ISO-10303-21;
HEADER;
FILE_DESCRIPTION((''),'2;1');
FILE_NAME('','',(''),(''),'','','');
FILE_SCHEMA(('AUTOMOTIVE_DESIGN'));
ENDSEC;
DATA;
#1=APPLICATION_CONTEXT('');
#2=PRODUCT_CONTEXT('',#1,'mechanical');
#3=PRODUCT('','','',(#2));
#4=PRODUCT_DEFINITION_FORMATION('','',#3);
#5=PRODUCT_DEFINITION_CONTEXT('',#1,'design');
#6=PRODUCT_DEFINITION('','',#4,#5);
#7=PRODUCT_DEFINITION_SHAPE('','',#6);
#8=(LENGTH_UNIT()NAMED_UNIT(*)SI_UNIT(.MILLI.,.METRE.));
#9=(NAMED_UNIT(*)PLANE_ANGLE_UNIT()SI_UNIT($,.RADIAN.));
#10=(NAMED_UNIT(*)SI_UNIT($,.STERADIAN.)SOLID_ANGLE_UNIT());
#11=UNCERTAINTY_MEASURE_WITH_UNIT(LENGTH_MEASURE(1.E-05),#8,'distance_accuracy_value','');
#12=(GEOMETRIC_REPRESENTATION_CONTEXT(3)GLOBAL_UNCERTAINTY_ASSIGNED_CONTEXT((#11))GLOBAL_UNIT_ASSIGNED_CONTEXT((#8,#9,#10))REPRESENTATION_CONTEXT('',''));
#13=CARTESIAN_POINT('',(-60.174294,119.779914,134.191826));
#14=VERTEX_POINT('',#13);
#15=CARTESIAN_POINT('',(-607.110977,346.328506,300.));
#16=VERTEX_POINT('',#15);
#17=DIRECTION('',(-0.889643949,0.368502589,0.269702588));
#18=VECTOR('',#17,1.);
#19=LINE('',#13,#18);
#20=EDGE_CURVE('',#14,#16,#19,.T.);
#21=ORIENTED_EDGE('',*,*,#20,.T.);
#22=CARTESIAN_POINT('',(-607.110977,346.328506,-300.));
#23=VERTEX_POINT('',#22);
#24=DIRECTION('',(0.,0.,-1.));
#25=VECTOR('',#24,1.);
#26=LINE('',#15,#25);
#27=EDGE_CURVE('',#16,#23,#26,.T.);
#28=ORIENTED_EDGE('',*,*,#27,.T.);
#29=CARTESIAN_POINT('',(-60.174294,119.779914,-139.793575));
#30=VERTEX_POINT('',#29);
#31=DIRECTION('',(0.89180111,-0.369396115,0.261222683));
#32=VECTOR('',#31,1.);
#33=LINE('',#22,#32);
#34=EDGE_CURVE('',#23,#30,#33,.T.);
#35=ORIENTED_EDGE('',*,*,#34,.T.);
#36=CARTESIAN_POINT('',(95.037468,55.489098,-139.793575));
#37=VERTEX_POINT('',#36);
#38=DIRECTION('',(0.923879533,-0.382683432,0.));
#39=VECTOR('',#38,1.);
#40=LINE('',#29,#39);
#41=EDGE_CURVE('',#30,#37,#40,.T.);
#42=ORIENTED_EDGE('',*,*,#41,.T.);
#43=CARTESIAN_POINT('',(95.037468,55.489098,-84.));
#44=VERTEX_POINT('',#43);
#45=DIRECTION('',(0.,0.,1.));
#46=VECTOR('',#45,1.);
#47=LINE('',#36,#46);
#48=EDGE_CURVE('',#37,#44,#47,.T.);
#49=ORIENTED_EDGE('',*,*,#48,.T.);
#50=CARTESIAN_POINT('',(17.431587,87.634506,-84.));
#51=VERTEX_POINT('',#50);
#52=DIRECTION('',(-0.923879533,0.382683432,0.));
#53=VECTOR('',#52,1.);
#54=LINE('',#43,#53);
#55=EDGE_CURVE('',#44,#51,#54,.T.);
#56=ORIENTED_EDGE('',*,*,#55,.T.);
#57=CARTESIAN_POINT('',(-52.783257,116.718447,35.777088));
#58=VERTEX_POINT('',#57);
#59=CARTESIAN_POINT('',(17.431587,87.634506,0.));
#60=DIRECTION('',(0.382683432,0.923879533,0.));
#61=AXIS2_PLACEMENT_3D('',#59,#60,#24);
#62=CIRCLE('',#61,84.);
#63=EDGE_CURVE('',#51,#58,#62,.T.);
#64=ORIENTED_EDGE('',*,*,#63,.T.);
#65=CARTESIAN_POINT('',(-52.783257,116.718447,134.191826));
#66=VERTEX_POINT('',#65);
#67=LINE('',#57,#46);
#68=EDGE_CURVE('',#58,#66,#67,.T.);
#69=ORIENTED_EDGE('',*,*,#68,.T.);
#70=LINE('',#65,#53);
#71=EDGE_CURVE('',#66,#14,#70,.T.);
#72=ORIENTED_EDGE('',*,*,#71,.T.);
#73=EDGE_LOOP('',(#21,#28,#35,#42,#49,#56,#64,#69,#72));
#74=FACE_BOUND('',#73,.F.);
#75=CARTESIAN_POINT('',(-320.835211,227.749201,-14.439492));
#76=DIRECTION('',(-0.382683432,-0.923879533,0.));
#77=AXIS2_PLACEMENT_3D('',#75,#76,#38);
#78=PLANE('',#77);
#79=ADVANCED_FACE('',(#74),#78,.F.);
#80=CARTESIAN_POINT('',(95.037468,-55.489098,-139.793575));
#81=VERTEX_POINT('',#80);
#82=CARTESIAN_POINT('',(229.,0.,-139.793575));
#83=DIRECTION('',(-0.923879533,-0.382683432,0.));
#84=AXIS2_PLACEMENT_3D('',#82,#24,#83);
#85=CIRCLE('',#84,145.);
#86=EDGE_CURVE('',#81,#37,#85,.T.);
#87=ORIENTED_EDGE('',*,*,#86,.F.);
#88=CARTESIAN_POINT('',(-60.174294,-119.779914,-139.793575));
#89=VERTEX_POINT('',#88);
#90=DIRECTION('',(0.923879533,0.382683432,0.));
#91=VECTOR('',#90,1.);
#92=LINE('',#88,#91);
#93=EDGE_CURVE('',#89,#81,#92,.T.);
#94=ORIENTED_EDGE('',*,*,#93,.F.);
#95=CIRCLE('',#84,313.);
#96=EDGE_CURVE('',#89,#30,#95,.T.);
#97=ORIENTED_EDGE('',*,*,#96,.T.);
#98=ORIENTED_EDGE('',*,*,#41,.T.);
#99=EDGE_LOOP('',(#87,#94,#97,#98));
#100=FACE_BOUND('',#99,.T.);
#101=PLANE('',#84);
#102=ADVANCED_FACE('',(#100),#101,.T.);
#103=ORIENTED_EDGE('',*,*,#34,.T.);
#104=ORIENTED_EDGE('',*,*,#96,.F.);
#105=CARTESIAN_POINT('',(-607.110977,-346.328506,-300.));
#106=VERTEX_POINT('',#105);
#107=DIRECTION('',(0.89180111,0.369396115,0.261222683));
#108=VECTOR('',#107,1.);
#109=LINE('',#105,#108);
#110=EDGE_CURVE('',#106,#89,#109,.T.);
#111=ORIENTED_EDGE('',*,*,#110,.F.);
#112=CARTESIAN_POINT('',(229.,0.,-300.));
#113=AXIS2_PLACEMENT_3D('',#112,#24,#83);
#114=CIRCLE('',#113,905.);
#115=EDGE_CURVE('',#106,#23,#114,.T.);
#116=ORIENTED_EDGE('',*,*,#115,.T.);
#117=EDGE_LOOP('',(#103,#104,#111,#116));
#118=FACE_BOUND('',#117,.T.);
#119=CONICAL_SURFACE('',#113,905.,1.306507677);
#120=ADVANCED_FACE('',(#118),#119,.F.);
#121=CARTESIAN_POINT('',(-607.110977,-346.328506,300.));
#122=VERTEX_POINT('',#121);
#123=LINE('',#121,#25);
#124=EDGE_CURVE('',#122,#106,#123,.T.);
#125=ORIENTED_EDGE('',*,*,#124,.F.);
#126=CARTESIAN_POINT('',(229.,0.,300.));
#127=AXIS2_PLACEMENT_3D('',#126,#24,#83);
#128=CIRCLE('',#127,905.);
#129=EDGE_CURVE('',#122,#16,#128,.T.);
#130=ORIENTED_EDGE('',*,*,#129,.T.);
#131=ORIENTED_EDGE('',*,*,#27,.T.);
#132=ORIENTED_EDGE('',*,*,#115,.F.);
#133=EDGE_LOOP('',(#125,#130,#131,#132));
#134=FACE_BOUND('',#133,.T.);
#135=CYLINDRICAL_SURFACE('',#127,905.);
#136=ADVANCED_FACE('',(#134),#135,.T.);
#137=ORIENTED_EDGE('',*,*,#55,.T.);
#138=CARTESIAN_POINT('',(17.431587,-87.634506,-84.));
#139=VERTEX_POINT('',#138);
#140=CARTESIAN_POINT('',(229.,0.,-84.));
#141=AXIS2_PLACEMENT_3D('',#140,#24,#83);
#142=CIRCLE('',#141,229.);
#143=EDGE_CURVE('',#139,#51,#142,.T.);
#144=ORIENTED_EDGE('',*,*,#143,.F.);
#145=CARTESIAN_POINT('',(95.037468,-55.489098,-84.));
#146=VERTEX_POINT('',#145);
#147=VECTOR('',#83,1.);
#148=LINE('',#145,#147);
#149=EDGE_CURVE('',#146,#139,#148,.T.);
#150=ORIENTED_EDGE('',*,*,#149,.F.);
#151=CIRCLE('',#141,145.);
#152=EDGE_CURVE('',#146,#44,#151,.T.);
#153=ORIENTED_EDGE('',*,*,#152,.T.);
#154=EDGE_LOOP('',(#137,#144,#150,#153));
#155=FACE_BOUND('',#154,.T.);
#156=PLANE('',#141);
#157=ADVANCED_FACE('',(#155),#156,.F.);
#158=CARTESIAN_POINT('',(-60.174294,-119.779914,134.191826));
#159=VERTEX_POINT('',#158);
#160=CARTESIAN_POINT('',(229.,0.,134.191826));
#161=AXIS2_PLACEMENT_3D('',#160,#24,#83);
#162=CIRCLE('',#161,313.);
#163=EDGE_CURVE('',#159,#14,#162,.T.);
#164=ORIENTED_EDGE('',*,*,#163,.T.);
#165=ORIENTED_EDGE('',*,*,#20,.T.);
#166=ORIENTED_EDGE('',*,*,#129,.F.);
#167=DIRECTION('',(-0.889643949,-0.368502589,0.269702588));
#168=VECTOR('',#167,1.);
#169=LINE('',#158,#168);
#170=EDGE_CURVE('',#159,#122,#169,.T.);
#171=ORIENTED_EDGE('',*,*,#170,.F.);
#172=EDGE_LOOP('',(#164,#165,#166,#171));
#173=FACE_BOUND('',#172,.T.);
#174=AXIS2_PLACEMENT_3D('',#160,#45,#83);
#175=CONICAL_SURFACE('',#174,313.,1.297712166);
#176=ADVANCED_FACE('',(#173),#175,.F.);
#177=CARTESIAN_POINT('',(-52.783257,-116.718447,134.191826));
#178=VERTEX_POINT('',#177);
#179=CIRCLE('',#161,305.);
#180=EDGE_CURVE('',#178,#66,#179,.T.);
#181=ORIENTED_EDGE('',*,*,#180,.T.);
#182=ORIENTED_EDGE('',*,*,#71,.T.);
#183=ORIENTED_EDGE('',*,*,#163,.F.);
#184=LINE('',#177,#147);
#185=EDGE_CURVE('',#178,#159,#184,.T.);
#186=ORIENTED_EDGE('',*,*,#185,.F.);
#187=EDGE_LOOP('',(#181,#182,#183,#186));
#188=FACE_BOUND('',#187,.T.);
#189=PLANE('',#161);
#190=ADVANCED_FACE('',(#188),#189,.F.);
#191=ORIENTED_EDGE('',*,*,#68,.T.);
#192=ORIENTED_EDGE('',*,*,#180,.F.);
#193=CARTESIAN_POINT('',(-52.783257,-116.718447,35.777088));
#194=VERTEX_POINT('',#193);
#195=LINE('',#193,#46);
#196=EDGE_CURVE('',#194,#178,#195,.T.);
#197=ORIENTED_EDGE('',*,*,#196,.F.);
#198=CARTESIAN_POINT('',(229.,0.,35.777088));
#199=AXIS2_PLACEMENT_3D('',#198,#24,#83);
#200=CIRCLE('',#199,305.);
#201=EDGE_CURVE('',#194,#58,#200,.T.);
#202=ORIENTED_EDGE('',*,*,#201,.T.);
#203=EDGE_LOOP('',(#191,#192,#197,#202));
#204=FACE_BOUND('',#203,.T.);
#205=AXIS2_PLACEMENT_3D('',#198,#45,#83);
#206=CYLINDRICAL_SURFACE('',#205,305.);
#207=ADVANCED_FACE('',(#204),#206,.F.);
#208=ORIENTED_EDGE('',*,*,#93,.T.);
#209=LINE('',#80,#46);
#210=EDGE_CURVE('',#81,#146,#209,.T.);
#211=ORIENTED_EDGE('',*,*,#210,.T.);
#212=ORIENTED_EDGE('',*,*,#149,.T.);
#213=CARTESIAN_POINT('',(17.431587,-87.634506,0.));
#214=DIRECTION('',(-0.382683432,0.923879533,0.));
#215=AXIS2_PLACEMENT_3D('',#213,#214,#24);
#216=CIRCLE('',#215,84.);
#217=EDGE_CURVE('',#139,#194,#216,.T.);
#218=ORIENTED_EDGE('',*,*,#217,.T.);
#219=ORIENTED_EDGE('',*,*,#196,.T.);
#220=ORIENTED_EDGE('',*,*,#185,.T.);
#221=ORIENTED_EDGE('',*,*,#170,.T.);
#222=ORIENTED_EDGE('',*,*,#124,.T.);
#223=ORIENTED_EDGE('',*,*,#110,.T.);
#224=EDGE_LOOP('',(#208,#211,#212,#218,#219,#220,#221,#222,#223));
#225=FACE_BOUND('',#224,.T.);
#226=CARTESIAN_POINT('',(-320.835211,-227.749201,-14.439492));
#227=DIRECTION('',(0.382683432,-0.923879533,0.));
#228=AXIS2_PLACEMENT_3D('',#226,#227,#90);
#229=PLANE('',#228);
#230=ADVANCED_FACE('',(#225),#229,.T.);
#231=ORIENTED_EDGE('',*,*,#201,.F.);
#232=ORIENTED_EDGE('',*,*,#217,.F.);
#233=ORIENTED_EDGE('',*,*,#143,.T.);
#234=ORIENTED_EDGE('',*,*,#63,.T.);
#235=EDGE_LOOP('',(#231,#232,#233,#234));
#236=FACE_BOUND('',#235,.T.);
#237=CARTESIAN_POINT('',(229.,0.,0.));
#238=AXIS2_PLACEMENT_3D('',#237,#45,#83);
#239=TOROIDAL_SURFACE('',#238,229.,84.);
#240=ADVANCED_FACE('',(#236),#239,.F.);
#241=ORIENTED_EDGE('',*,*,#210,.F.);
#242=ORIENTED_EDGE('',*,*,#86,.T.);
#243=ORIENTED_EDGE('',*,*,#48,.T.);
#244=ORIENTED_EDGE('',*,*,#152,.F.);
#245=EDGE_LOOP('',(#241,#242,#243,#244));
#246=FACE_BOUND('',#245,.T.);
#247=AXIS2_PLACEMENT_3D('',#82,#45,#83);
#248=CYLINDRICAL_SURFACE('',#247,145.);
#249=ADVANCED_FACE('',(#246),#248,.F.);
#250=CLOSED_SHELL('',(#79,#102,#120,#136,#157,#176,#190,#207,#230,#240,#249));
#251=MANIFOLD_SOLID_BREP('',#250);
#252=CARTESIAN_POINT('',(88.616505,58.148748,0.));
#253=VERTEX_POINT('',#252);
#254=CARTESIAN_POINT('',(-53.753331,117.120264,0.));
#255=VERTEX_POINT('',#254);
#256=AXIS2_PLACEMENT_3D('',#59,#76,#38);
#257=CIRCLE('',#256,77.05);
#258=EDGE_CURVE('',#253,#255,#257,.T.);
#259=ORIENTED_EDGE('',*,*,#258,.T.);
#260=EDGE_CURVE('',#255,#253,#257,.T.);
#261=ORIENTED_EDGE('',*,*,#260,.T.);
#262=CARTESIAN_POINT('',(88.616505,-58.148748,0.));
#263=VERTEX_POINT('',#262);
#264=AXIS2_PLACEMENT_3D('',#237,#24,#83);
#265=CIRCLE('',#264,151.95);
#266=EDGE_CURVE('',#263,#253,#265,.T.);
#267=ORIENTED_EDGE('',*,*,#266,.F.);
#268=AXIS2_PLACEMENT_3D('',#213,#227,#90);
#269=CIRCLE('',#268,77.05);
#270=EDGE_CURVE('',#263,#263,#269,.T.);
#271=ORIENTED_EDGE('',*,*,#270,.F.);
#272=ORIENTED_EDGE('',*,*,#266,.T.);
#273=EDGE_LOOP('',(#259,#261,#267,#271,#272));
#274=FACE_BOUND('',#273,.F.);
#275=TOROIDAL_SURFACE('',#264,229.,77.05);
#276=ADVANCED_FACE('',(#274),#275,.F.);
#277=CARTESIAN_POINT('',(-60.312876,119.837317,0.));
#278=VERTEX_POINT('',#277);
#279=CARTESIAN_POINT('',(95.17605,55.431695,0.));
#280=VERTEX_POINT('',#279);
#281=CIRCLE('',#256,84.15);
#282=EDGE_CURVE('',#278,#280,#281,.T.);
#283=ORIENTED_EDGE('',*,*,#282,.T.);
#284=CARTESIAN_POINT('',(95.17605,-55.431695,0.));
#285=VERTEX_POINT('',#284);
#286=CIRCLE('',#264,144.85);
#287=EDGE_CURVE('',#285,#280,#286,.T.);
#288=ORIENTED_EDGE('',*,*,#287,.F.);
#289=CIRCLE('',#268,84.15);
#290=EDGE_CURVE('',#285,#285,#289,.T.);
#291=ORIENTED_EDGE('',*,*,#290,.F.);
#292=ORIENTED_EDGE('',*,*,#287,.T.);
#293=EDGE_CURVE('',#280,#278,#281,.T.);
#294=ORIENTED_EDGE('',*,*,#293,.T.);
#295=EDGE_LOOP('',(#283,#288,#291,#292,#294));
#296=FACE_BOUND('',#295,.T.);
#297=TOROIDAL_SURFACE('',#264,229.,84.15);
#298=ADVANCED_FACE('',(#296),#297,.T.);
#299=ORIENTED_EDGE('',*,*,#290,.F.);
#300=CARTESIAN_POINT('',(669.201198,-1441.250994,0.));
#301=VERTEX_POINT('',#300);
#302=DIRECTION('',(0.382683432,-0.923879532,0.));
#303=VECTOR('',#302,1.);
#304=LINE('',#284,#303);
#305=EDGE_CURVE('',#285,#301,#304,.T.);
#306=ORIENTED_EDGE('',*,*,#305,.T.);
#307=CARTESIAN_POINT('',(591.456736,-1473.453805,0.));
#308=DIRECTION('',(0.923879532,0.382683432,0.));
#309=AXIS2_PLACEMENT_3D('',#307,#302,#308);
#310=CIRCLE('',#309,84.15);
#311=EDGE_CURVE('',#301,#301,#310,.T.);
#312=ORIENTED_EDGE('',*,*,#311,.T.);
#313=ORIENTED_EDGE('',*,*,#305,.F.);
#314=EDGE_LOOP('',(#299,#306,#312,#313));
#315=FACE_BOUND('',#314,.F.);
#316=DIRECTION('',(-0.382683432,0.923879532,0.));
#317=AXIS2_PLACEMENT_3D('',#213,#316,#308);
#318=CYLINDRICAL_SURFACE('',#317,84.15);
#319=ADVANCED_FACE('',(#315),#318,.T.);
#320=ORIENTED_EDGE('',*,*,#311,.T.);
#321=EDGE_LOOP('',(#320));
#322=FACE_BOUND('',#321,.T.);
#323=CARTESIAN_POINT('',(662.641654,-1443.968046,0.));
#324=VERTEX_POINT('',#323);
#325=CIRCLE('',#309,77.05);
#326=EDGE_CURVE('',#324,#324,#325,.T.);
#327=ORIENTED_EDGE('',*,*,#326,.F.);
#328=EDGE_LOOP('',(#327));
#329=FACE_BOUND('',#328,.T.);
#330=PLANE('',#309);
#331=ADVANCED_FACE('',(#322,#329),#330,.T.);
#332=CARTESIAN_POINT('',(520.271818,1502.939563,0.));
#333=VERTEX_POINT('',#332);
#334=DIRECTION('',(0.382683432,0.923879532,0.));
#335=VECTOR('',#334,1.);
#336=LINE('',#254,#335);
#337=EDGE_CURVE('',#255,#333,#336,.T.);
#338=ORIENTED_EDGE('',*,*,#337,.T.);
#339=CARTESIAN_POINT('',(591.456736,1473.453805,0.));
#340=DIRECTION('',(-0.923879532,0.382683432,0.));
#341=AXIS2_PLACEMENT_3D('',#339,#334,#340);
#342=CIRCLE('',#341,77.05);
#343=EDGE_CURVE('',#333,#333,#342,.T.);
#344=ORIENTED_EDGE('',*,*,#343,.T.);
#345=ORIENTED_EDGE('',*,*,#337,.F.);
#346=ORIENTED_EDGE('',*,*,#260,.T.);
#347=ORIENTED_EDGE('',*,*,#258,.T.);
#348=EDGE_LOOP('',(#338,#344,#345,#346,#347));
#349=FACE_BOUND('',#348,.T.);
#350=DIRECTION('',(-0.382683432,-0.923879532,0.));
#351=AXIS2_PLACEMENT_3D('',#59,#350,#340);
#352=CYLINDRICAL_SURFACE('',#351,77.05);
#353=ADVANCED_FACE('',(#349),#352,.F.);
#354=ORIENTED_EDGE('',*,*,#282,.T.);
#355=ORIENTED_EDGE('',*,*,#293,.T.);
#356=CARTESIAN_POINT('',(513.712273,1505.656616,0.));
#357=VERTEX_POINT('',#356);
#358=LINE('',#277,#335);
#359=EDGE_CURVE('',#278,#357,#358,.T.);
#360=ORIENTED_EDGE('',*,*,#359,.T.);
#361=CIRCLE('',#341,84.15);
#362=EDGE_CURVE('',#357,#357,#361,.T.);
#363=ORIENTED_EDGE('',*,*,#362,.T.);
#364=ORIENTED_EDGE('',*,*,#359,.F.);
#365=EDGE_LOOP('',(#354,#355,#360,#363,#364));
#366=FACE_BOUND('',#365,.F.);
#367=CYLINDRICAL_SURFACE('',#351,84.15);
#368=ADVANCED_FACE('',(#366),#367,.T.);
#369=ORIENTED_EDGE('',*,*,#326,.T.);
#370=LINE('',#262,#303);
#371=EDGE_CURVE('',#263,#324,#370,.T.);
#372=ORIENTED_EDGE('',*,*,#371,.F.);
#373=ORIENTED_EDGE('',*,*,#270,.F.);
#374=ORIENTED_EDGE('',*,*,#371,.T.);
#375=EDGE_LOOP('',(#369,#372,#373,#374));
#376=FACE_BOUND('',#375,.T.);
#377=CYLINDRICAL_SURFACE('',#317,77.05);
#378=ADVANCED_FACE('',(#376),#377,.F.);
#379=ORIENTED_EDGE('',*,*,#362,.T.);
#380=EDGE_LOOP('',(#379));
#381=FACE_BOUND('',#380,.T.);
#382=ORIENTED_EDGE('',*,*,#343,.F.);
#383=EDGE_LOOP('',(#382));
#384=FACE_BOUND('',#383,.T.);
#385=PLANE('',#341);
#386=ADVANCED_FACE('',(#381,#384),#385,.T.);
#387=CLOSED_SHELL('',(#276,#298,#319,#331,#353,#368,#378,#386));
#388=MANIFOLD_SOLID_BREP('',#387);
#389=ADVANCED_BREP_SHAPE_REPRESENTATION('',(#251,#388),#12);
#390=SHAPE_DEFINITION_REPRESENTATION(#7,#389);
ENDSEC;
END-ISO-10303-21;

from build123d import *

# Parameters (mm, degrees)
F0_R          = 84.15
F0_R_2        = 77.05
F1_ANGLE_BACK = 22.5
F1_ANGLE      = 45
F2_R          = 84.15
F2_R_2        = 77.05
F3_DEPTH      = 1500
F4_R          = 84.15
F4_R_2        = 77.05
F5_DEPTH      = 1500
F6_R          = 77.05
F7_ANGLE_BACK = 22.5
F7_ANGLE      = 45
F9_ANGLE_BACK = 22.5
F9_ANGLE      = 45


with BuildPart() as f1:
    # F0 (on Front) → F1 (revolve)
    with BuildSketch(Plane.XZ, mode=Mode.PRIVATE) as f1_sk:
        Circle(F0_R)
        Circle(F0_R_2, mode=Mode.SUBTRACT)
    revolve(f1_sk.sketch.rotate(Axis((229, 0, -0.4341155291), (0, 0, -1)), -F1_ANGLE_BACK), axis=Axis((229, 0, -0.4341155291), (0, 0, -1)), revolution_arc=F1_ANGLE)

    # F2 (on face) → F3 (join)
    with BuildSketch(Plane(origin=(33.5362735541, -80.9637264459, 0), x_dir=(0.9238795325, 0.3826834324, 0), z_dir=(0.3826834324, -0.9238795325, 0))):
        with Locations((-17.4315870549, 0)):
            Circle(F2_R)
        with Locations((-17.4315870549, 0)):
            Circle(F2_R_2, mode=Mode.SUBTRACT)
    extrude(amount=F3_DEPTH)

    # F4 (on face) → F5 (join)
    with BuildSketch(Plane(origin=(33.5362735541, 80.9637264459, 0), x_dir=(-0.9238795325, 0.3826834324, 0), z_dir=(0.3826834324, 0.9238795325, 0))):
        with Locations((17.4315870549, 0)):
            Circle(F4_R)
        with Locations((17.4315870549, 0)):
            Circle(F4_R_2, mode=Mode.SUBTRACT)
    extrude(amount=F5_DEPTH)

    # F6 (on Front) → F7 (revolve, cut)
    with BuildSketch(Plane.XZ, mode=Mode.PRIVATE) as f7_sk:
        Circle(F6_R)
    revolve(f7_sk.sketch.rotate(Axis((229, 0, -9.7871497273), (0, 0, 1)), -F7_ANGLE_BACK), axis=Axis((229, 0, -9.7871497273), (0, 0, 1)), revolution_arc=F7_ANGLE, mode=Mode.SUBTRACT)


with BuildPart() as f9:
    # F8 (on Front) → F9 (revolve)
    with BuildSketch(Plane.XZ, mode=Mode.PRIVATE) as f9_sk:
        with BuildLine():
            ThreePointArc((0, -84), (-70.9269883816, -45.0040255879), (-76, 35.77708764))
            Line((-76, 35.77708764), (-76, 134.1918259859))
            Line((-76, 134.1918259859), (-84, 134.1918259859))
            Line((-84, 134.1918259859), (-676, 300))
            Line((-676, 300), (-676, -300))
            Line((-676, -300), (-84, -139.79357481))
            Line((-84, -139.79357481), (84, -139.79357481))
            Line((84, -139.79357481), (84, -84))
            Line((84, -84), (0, -84))
        make_face()
    revolve(f9_sk.sketch.rotate(Axis((229, 0, -6.6939145327), (0, 0, -1)), -F9_ANGLE_BACK), axis=Axis((229, 0, -6.6939145327), (0, 0, -1)), revolution_arc=F9_ANGLE)


solid = Compound([f1.part, f9.part])
